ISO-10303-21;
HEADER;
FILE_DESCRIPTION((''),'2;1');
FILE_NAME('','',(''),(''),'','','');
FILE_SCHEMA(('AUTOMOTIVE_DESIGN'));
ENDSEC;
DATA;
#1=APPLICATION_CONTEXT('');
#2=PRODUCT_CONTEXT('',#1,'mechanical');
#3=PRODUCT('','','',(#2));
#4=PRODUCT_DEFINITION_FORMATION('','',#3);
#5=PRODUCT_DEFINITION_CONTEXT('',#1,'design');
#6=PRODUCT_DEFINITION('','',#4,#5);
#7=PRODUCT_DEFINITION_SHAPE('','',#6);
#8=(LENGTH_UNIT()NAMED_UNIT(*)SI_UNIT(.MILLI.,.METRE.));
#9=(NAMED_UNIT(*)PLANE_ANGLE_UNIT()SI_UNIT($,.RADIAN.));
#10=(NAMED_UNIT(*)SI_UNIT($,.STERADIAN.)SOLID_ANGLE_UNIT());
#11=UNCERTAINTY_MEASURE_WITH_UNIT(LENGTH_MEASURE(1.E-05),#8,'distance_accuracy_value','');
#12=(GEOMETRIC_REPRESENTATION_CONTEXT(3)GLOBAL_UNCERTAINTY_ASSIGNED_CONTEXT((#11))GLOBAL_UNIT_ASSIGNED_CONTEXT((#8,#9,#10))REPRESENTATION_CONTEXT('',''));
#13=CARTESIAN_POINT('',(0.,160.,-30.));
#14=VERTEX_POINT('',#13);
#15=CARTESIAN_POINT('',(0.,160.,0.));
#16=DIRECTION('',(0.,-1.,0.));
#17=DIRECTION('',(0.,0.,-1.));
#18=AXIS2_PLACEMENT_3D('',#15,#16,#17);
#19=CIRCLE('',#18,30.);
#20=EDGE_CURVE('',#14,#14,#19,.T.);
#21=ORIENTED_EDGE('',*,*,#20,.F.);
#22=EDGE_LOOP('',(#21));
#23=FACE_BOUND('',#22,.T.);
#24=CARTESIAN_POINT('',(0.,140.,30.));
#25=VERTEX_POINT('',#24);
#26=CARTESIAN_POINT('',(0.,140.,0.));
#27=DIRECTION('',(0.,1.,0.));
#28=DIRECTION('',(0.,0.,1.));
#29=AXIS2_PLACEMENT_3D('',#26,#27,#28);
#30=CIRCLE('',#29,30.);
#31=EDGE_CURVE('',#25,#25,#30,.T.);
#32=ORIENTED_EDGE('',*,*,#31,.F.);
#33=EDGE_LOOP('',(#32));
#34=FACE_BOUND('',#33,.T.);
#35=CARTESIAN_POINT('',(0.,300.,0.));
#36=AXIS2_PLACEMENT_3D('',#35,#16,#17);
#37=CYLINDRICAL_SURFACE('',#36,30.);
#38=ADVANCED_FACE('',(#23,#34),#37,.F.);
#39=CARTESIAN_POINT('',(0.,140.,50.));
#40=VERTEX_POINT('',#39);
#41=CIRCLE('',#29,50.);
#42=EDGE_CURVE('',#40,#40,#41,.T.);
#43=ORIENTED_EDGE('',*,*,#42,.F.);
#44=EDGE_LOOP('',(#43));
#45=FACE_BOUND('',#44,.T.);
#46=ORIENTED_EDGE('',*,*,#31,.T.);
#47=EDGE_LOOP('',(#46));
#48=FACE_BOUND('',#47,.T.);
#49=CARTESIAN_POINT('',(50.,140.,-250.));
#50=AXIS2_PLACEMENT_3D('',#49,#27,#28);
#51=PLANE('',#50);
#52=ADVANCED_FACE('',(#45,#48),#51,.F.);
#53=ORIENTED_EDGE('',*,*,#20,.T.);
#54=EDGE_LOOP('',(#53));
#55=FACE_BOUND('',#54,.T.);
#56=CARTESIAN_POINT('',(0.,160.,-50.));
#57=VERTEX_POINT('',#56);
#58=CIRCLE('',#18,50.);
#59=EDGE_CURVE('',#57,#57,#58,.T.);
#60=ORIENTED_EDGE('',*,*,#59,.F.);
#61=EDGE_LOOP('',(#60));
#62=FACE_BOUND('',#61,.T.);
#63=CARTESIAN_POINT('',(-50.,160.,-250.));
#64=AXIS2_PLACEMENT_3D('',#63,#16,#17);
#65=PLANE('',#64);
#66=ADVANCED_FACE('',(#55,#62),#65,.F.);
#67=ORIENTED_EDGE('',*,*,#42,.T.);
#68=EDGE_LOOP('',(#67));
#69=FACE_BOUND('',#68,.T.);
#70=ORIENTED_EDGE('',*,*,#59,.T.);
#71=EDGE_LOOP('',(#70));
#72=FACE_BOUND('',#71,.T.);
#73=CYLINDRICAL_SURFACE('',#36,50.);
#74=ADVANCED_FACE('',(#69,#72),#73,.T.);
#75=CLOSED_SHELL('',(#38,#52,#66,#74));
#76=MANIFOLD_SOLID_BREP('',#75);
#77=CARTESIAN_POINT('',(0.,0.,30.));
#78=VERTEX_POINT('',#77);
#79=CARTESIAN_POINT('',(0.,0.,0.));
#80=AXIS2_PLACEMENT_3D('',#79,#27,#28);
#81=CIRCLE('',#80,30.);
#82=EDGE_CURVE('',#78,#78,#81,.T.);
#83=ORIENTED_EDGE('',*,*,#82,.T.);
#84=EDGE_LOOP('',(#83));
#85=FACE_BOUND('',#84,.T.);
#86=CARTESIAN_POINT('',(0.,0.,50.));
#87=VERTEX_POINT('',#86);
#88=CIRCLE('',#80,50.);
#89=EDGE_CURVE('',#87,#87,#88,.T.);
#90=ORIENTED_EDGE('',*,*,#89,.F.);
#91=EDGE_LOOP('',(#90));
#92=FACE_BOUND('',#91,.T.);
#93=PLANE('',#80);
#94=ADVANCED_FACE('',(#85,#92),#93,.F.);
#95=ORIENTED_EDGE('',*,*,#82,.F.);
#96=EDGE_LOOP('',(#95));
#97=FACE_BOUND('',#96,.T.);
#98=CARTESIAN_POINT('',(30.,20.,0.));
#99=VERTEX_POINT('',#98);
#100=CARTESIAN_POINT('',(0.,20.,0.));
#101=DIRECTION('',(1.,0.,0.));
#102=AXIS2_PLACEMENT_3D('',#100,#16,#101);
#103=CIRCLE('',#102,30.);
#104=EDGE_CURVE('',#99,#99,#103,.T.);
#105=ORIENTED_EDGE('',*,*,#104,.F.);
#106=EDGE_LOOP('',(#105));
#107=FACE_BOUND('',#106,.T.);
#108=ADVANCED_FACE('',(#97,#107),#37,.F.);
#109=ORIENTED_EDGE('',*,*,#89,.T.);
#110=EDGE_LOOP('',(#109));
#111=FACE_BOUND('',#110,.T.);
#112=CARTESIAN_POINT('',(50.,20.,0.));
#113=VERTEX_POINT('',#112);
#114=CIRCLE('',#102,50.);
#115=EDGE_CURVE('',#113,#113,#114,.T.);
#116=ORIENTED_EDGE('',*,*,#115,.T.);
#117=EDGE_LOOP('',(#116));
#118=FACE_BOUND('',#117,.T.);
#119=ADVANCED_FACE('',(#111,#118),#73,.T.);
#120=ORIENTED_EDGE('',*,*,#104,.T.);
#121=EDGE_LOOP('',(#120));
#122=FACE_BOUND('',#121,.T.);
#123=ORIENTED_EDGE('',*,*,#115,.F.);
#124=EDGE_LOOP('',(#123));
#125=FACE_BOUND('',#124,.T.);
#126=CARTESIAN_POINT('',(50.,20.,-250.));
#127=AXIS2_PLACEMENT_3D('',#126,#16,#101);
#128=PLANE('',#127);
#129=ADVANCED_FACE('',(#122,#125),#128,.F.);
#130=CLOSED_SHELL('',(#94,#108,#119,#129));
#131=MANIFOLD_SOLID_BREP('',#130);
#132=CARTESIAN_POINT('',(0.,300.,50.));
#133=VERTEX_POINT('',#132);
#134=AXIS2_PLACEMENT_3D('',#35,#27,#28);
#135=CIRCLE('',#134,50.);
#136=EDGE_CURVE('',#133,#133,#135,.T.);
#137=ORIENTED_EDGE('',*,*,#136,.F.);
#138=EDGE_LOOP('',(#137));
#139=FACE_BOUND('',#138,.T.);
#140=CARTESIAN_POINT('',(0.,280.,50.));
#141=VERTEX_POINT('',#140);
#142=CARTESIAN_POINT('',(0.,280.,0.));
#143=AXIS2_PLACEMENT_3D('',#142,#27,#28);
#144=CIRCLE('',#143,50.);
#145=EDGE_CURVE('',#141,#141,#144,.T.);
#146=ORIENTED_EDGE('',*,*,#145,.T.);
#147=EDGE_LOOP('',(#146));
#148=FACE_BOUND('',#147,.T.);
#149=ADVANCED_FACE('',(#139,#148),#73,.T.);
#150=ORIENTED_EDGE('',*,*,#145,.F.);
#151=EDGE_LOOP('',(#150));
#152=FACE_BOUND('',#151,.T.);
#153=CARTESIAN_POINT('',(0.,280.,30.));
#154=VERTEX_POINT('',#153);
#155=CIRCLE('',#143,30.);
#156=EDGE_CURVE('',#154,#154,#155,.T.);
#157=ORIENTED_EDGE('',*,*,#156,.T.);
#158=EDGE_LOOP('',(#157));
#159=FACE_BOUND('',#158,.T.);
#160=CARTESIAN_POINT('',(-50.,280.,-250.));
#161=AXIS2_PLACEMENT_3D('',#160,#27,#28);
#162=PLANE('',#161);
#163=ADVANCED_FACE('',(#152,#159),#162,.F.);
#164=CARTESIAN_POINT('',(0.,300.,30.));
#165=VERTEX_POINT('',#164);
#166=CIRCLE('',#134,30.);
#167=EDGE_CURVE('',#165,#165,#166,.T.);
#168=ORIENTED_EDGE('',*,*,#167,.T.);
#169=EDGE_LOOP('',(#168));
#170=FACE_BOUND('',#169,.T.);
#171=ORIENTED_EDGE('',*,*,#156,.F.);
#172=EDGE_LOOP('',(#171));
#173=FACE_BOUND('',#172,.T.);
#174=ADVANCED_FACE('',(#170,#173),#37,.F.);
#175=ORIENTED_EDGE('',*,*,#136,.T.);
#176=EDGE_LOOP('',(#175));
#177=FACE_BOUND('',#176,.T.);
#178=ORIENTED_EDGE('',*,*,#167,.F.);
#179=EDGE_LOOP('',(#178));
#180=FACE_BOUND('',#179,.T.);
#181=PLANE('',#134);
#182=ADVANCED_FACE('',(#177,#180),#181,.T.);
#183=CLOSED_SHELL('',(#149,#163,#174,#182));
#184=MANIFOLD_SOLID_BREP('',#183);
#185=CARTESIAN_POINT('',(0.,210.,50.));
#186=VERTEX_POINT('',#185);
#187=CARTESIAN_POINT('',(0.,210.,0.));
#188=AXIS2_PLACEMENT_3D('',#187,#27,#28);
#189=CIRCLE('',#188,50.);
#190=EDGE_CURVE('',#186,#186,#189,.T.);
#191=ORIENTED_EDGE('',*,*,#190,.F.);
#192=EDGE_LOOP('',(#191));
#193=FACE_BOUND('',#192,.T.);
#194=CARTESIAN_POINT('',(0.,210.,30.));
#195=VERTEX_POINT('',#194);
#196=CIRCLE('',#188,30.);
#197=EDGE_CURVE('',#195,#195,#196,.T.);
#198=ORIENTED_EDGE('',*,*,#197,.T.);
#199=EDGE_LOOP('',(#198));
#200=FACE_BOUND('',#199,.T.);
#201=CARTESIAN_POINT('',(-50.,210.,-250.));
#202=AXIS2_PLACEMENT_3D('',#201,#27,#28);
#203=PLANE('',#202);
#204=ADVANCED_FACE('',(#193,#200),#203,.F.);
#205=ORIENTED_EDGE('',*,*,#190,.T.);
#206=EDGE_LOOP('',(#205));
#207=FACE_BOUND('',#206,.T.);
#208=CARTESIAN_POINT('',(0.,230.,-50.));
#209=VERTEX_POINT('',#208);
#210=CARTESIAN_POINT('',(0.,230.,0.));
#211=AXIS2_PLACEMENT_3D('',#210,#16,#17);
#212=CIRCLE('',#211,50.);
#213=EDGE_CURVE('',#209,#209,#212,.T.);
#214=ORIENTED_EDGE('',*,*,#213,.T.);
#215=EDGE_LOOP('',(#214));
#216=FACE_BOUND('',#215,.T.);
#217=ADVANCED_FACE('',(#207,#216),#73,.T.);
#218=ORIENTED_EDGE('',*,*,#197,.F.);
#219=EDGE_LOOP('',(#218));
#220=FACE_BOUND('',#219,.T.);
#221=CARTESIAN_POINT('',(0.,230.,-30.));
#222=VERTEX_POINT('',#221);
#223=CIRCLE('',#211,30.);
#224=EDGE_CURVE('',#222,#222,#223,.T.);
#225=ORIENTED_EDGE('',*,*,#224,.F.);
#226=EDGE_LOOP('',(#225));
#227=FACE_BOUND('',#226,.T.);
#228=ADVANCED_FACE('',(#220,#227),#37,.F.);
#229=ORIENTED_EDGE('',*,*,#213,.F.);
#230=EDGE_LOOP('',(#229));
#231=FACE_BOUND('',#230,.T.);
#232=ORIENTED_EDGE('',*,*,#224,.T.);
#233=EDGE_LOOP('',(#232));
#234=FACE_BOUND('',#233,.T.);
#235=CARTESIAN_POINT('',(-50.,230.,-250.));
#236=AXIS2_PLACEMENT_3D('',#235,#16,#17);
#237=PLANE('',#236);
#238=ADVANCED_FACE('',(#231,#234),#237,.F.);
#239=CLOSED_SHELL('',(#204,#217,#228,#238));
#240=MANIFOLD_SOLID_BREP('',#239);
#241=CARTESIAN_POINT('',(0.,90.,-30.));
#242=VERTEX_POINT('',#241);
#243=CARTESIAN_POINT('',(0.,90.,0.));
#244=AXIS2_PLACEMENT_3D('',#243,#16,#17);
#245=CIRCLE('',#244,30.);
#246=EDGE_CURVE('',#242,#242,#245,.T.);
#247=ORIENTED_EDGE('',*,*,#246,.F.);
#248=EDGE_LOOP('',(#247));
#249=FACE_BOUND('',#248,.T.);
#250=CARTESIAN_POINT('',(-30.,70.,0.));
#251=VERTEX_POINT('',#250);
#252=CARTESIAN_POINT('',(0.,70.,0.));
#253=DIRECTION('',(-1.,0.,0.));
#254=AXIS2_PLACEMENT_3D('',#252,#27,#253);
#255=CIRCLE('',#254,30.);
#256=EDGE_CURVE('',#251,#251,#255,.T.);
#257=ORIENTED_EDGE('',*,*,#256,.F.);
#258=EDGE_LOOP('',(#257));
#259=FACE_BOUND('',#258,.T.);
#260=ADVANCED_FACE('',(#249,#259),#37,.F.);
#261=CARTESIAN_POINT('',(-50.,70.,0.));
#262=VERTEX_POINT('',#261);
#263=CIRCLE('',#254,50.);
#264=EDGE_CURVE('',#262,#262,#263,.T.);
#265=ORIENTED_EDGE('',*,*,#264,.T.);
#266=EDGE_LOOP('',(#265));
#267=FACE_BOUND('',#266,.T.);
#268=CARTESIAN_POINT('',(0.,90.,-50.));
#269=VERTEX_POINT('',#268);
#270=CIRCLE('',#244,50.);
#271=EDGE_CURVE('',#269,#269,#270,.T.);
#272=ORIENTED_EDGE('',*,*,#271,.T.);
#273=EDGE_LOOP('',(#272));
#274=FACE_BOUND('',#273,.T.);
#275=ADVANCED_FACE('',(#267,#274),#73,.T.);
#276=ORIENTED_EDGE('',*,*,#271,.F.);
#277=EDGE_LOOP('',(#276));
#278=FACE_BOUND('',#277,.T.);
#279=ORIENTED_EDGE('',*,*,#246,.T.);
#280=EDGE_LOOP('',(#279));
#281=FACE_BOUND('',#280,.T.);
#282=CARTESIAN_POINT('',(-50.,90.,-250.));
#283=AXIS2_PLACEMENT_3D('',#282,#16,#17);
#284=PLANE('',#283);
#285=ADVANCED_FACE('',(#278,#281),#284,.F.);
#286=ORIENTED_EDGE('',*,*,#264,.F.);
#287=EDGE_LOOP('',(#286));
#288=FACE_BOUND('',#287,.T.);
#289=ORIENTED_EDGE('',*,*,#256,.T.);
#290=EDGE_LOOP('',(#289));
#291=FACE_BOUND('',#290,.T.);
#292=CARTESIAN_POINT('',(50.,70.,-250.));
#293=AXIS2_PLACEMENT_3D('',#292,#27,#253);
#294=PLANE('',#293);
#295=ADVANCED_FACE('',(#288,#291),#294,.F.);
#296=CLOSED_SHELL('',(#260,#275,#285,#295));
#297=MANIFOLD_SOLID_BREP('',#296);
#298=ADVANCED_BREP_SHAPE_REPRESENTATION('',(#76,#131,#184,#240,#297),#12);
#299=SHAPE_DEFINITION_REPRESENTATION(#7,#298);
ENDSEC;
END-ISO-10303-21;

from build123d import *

# Parameters (mm, degrees)
SKETCH_1_R          = 50
SKETCH_1_R_2        = 30
EXTRUDE_1_DEPTH     = 300
SKETCH_2_W          = 100
SKETCH_2_H          = 50
CUT_EXTRUDE_1_DEPTH = 300


with BuildPart() as part:
    # 草图1 → 凸台-拉伸1 (new body)
    with BuildSketch(Plane(origin=(0, 0, 0), x_dir=(1, 0, 0), z_dir=(0, 1, 0))):
        with Locations(Location((0, 0, 0), (0, 0, 270))):
            Circle(SKETCH_1_R)
        with Locations(Location((0, 0, 0), (0, 0, 270))):
            Circle(SKETCH_1_R_2, mode=Mode.SUBTRACT)
    extrude(amount=EXTRUDE_1_DEPTH)

    # 草图2 → 切除-拉伸1 (cut)
    with BuildSketch(Plane.XY.offset(50)):
        with Locations((0, 255)):
            Rectangle(SKETCH_2_W, SKETCH_2_H)
        with Locations((0, 185)):
            Rectangle(SKETCH_2_W, SKETCH_2_H)
        with Locations((0, 115)):
            Rectangle(SKETCH_2_W, SKETCH_2_H)
        with Locations((0, 45)):
            Rectangle(SKETCH_2_W, SKETCH_2_H)
    extrude(amount=-CUT_EXTRUDE_1_DEPTH, mode=Mode.SUBTRACT)


with BuildPart() as cut_extrude_1_piece_1:
    # of the separate pieces the step leaves, piece 1, a body of its own (cut_extrude_1_pieces)
    add(part.part.solids().sort_by_distance((0, 280, 50))[0])


with BuildPart() as cut_extrude_1_piece_2:
    # of the separate pieces the step leaves, piece 2, a body of its own (cut_extrude_1_pieces)
    add(part.part.solids().sort_by_distance((0, 70, 50))[0])


with BuildPart() as cut_extrude_1_piece_3:
    # of the separate pieces the step leaves, piece 3, a body of its own (cut_extrude_1_pieces)
    add(part.part.solids().sort_by_distance((0, 0, 50))[0])


with BuildPart() as cut_extrude_1_piece_4:
    # of the separate pieces the step leaves, piece 4, a body of its own (cut_extrude_1_pieces)
    add(part.part.solids().sort_by_distance((0, 140, 50))[0])


with BuildPart() as cut_extrude_1_piece_5:
    # of the separate pieces the step leaves, piece 5, a body of its own (cut_extrude_1_pieces)
    add(part.part.solids().sort_by_distance((0, 210, 50))[0])


solid = Compound([cut_extrude_1_piece_1.part, cut_extrude_1_piece_2.part, cut_extrude_1_piece_3.part, cut_extrude_1_piece_4.part, cut_extrude_1_piece_5.part])
